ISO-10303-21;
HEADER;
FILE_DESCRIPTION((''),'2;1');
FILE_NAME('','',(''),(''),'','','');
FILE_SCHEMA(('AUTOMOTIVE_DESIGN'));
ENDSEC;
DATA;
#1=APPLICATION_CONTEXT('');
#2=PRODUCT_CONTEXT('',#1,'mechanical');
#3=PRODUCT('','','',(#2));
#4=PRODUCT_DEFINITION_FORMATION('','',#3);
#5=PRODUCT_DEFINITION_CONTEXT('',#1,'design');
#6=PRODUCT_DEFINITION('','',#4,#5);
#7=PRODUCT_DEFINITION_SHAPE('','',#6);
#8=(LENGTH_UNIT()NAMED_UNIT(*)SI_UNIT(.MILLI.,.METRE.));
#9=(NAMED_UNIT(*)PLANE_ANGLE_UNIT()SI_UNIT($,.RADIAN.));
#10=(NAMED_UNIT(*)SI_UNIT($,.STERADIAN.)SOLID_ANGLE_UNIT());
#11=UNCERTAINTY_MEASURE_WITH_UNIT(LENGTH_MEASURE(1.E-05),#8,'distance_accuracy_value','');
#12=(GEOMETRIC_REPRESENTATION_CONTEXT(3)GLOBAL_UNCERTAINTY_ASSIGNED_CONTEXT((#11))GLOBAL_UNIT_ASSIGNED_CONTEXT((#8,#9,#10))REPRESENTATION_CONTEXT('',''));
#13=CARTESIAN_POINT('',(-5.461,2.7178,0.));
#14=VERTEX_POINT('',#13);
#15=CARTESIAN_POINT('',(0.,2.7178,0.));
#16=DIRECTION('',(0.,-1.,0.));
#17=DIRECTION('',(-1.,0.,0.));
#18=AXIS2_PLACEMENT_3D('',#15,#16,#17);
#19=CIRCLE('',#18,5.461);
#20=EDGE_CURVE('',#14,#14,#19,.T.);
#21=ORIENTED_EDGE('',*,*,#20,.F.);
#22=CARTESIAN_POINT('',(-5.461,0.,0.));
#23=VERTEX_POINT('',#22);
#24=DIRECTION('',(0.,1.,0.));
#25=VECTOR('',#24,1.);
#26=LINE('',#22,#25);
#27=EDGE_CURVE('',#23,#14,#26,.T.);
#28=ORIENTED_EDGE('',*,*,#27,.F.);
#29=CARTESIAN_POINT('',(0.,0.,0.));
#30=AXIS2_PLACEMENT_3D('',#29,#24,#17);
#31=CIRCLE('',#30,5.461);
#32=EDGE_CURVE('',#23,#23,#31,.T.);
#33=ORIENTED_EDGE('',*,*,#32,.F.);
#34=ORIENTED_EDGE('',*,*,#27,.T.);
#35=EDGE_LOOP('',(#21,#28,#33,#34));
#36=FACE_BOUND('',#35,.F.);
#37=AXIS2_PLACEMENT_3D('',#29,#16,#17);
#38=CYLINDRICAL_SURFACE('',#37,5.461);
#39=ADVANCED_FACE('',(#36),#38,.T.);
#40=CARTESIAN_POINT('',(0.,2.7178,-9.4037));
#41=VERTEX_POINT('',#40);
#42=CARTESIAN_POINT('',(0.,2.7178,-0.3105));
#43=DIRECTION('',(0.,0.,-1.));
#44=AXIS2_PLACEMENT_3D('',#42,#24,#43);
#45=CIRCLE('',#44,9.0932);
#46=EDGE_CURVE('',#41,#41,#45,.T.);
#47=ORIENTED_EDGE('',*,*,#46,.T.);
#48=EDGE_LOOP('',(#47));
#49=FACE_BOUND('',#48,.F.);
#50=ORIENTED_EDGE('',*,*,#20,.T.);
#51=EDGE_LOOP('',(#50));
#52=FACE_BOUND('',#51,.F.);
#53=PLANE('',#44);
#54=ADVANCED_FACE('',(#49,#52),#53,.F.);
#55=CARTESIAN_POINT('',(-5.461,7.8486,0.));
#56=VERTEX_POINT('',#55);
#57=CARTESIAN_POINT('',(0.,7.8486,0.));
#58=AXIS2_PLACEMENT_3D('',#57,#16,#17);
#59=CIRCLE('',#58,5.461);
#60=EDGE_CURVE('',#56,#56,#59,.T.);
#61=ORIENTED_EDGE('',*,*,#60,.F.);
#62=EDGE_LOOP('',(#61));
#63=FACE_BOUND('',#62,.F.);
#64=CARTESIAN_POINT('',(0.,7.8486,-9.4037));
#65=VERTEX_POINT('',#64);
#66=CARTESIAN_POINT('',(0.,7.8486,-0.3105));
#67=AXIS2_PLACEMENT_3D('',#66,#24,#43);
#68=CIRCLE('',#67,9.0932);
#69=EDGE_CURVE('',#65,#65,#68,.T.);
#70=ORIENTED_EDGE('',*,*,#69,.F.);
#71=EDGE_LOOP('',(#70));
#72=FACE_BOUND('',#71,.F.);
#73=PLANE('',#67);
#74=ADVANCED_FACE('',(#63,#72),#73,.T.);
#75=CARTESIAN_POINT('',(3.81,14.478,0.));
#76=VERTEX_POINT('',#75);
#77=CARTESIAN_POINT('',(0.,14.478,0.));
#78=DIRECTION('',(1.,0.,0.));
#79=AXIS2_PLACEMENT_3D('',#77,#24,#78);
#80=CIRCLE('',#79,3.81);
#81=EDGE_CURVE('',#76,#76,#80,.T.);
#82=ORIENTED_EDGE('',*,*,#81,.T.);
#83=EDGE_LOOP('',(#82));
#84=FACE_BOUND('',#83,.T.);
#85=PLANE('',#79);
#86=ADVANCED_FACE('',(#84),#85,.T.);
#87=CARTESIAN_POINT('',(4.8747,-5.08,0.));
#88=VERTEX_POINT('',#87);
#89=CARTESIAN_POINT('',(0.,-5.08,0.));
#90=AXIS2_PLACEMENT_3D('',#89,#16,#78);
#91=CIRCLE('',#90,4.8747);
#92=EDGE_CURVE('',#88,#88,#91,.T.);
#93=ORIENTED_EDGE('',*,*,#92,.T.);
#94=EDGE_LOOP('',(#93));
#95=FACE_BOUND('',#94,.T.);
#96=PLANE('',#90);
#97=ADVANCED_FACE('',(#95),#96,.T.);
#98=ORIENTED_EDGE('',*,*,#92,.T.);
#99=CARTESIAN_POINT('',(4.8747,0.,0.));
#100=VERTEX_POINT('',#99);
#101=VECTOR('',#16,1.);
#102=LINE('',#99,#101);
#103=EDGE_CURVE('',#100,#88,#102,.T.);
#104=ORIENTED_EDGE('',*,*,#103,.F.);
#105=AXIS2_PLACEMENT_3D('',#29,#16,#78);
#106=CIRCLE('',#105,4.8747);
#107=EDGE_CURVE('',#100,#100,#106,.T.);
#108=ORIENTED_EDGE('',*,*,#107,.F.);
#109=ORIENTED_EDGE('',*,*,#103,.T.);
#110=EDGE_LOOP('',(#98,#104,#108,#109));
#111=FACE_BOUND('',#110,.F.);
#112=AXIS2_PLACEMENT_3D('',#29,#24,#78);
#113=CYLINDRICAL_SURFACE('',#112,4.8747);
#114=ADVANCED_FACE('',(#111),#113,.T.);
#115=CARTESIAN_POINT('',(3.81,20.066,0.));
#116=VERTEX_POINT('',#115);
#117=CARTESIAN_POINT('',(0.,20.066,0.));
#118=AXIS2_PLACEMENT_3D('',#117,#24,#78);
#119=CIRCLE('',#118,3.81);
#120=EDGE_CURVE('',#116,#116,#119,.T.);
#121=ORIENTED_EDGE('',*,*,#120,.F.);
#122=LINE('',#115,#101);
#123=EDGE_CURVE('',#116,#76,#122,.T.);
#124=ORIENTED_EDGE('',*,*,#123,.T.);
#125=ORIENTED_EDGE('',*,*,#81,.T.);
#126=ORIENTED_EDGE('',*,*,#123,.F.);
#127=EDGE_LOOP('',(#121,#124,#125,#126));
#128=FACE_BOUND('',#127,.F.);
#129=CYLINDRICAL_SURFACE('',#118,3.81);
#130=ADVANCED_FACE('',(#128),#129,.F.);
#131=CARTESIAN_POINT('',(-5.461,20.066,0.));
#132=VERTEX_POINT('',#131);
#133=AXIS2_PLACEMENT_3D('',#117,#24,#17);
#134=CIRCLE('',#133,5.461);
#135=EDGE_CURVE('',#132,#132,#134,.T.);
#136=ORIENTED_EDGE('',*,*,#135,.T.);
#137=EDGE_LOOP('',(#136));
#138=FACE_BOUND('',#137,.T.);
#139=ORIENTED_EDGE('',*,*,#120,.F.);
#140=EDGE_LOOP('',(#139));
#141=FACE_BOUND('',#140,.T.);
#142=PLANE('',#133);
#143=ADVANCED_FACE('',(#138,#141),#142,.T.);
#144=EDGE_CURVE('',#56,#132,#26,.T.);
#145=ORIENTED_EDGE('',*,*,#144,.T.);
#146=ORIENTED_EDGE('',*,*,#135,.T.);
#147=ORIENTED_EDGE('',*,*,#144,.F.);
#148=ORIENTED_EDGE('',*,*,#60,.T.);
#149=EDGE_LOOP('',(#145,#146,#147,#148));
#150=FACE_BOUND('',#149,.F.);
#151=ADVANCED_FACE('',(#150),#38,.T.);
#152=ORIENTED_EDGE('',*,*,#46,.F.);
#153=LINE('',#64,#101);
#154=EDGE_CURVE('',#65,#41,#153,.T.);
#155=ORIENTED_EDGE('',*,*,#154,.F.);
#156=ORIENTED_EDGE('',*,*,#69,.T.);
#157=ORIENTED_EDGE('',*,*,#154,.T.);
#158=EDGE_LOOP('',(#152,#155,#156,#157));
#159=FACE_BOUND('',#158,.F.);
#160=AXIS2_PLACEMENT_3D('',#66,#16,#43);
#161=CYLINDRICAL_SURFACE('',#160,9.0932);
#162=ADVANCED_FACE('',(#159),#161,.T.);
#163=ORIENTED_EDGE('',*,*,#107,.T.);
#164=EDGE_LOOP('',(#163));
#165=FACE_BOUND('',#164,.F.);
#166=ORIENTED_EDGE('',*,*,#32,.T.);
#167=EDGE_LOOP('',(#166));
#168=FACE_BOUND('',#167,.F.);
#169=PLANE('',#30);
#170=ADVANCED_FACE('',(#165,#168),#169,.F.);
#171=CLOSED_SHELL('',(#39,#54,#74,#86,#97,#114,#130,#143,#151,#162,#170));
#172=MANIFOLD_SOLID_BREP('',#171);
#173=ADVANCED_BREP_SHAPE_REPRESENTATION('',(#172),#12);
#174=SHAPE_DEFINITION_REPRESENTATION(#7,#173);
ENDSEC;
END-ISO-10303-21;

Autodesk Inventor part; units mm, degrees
ref_plane "YZ Plane" through (0, 0, 0) normal (1, 0, 0) x (0, 1, 0)
ref_plane "XZ Plane" through (0, 0, 0) normal (0, 1, 0) x (-1, 0, 0)
ref_plane "XY Plane" through (0, 0, 0) normal (0, 0, 1) x (1, 0, 0)
sketch "Sketch1" plane through (0, 0, 0) normal (0, 1, 0) x (-1, 0, 0)
  circle A0 centre (0, 0) radius 5.461
  dimension "d0" = 10.922
extrude "Extrusion1" add sketch "Sketch1" along normal blind 20.066
sketch "Sketch2" plane through (0, 0, 0) normal (1, 0, 0) x (0, 1, 0)
  line L0 (2.7178, -0.3105) -> (7.8486, -0.3105)
  line L1 (7.8486, -0.3105) -> (7.8486, -9.4037)
  line L2 (7.8486, -9.4037) -> (2.7178, -9.4037)
  line L3 (2.7178, -9.4037) -> (2.7178, -0.3105)
  line L4 (0, 5.461) -> (0, -5.461) projected
  line L5 (20.066, -5.461) -> (20.066, 5.461) projected
  point P0 (0, 0)
  dimension "d3" = 9.0932
  dimension "d4" = 2.7178
  dimension "d12" = 12.2174
revolve "Revolution1" add sketch "Sketch2" angle 360 about axis through (0, 2.7178, -0.3105) along (0, 1, 0)
sketch "Sketch3" plane through (0, 0, 0) normal (0, -1, 0) x (1, 0, 0)
  circle A0 centre (0, 0) radius 5.461 projected
  circle A1 centre (0, 0) radius 4.8747
extrude "Extrusion2" add sketch "Sketch3" along normal blind 5.08 contours A1
sketch "Sketch4" plane through (0, 20.066, 0) normal (0, 1, 0) x (1, 0, 0)
  circle A0 centre (0, 0) radius 5.461 projected
  circle A1 centre (0, 0) radius 3.81
  dimension "d9" = 7.62
extrude "Extrusion3" cut sketch "Sketch4" against normal blind 5.588 contours A1
properties part number "SmallConnector"
